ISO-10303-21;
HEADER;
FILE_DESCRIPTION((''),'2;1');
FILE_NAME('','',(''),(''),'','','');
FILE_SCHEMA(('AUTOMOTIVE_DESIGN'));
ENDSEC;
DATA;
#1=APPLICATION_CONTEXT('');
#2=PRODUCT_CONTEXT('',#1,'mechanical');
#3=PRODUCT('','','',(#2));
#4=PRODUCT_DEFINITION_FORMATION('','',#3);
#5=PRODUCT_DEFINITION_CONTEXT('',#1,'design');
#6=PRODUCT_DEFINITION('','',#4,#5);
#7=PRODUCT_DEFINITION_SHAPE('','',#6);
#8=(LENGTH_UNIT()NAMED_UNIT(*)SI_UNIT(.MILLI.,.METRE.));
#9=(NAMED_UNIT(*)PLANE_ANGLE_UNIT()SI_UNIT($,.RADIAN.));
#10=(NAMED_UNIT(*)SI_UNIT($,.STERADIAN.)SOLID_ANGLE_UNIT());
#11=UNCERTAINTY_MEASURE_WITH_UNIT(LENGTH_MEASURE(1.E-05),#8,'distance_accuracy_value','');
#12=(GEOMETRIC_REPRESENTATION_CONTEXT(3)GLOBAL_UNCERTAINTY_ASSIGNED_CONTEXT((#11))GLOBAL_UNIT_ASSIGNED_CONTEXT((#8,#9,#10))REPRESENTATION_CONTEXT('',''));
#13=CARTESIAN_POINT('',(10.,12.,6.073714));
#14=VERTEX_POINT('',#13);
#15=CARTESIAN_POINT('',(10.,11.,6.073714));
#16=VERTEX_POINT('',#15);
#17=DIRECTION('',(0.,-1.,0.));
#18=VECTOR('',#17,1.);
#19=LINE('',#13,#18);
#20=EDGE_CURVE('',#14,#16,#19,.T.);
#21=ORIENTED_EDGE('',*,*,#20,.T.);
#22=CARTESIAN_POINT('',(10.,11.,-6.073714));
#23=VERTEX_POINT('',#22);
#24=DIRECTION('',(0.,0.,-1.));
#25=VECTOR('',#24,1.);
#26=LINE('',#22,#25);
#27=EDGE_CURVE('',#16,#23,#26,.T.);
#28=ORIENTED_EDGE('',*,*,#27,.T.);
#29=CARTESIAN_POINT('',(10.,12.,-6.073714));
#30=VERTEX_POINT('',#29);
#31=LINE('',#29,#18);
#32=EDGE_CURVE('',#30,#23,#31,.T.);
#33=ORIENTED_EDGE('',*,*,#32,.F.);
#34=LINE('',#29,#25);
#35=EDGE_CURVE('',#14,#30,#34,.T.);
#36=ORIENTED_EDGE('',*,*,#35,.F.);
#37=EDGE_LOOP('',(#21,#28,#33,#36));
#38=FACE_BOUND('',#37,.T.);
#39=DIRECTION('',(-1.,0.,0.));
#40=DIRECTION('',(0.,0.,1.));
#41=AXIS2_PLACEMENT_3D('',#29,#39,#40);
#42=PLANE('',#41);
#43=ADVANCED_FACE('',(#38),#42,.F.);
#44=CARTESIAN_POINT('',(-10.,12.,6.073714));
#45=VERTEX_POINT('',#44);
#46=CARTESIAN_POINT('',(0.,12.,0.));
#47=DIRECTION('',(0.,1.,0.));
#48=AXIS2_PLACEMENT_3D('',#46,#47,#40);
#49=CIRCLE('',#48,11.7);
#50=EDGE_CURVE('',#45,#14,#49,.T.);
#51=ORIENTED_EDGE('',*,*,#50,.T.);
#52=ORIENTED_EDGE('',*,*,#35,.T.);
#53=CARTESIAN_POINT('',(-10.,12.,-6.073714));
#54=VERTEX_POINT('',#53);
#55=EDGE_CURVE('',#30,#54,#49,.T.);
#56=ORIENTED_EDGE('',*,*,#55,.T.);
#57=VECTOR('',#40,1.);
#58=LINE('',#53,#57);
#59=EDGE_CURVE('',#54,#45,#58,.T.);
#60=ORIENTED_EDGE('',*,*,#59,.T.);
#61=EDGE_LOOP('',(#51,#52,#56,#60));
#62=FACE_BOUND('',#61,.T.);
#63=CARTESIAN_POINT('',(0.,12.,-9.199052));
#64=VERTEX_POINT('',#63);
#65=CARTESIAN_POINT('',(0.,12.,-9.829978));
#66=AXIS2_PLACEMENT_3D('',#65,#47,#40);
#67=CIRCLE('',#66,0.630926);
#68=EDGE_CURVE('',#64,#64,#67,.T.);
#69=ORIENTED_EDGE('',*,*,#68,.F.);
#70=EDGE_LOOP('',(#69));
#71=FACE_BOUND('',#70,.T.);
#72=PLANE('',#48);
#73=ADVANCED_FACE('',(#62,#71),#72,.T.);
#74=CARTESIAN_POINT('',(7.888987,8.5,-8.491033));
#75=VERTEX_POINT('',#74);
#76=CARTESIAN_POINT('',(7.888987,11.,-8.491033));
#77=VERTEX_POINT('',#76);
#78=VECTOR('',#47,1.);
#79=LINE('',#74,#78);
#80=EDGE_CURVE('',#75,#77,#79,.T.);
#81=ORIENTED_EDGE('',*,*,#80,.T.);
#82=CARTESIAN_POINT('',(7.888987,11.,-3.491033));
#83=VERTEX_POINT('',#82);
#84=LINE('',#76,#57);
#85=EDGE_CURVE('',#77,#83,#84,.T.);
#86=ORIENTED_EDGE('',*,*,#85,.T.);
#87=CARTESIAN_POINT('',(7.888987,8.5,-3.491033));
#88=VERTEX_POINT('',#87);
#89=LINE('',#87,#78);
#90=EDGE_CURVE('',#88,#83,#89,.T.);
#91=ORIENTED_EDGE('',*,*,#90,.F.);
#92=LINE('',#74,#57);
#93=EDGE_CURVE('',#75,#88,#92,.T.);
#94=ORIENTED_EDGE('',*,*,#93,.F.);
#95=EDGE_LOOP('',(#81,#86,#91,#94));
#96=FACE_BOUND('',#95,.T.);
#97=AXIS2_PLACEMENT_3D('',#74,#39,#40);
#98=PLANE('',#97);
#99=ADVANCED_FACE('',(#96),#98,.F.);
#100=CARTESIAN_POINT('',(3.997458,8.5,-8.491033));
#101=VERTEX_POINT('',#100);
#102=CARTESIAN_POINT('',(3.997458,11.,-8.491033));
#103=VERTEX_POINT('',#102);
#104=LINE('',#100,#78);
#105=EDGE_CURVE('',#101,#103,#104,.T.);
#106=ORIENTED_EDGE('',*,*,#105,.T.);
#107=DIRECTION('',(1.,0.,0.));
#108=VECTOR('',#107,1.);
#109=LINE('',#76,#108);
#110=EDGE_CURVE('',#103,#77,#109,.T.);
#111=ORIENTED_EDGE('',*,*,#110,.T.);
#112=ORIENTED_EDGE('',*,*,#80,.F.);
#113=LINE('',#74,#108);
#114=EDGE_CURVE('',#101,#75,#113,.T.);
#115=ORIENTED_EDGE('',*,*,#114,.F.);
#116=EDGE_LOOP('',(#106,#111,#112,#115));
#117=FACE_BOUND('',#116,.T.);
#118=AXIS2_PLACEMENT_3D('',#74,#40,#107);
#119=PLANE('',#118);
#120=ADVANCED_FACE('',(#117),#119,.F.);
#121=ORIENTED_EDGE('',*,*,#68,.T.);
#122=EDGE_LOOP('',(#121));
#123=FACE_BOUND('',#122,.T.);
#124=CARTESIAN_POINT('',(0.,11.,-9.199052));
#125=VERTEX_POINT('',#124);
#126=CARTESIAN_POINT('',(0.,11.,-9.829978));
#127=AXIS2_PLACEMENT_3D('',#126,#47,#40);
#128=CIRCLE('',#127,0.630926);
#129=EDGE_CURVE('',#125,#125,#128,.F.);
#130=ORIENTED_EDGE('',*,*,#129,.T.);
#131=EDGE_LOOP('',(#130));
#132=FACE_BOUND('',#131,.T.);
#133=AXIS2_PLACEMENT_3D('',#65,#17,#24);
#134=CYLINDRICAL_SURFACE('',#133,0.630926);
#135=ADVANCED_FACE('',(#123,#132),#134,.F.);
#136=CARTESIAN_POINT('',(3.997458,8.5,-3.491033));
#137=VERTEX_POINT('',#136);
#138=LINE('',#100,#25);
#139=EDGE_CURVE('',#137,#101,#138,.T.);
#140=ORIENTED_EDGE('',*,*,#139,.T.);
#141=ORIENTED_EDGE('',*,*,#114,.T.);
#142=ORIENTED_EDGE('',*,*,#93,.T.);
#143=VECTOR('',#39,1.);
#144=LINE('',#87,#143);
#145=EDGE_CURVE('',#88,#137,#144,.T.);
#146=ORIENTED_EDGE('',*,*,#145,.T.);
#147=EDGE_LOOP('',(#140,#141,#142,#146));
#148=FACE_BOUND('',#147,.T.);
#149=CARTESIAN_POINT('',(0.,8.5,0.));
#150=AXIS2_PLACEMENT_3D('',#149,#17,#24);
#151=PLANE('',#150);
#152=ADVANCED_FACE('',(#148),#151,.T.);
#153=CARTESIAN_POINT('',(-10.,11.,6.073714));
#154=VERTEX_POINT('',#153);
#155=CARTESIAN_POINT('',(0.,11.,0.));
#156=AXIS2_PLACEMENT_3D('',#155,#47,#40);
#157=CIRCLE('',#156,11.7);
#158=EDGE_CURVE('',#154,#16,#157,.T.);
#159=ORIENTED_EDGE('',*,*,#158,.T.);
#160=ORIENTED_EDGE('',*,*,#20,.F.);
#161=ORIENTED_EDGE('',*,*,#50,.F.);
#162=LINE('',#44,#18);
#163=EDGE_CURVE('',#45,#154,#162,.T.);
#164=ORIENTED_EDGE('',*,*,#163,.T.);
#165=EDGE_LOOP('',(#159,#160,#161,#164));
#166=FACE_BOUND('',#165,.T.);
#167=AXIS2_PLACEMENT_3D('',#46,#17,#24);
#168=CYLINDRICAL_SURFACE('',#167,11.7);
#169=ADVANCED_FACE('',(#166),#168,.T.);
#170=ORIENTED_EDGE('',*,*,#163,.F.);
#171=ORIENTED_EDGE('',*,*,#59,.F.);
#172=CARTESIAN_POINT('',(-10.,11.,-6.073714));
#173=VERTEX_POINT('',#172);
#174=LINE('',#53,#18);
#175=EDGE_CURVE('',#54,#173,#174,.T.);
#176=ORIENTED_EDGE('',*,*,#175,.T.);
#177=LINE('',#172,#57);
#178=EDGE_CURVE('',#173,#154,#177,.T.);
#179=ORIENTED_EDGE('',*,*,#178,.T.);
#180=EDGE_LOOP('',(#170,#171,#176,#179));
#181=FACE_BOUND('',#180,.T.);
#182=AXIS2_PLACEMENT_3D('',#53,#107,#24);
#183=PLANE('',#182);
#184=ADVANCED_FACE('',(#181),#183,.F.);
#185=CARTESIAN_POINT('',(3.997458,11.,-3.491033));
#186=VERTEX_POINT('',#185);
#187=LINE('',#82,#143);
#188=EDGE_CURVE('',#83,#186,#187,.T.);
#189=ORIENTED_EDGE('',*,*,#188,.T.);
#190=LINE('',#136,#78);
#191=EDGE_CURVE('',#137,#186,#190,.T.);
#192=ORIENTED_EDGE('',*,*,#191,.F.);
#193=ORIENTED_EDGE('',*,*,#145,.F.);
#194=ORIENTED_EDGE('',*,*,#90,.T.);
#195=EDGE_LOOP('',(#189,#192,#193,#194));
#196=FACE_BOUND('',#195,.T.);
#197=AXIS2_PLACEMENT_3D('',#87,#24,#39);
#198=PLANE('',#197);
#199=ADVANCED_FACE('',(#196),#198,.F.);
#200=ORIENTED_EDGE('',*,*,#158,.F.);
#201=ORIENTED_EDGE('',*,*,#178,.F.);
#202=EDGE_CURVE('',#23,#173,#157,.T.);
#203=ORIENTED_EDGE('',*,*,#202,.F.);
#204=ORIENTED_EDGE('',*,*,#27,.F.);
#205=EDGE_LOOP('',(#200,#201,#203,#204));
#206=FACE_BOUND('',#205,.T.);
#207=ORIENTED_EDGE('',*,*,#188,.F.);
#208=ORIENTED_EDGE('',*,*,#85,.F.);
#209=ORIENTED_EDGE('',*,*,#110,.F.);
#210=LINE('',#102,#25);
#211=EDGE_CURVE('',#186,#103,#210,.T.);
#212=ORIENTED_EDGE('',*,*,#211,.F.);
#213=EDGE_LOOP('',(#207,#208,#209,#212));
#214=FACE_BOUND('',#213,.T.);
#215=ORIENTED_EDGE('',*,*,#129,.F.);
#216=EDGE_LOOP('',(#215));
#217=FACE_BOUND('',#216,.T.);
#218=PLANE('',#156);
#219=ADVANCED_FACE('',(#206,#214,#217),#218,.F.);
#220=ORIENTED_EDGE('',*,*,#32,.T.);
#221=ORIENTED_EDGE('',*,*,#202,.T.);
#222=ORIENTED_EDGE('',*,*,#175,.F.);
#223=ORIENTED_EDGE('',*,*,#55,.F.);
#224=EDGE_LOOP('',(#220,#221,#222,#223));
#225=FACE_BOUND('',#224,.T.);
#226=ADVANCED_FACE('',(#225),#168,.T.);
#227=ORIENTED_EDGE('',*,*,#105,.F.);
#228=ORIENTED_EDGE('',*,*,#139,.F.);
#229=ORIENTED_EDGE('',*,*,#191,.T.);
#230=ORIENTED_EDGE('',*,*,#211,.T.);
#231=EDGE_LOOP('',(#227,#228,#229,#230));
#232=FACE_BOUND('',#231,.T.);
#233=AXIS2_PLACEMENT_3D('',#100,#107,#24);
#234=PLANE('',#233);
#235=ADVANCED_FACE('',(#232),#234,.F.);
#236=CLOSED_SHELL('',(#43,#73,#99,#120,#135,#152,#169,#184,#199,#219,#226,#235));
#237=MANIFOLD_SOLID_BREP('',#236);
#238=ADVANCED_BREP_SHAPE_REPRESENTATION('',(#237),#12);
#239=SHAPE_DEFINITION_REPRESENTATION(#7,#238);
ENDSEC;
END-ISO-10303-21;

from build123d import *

# Parameters (mm, degrees)
SKETCH_2_R          = 12
SKETCH_1_R          = 12.5
CUT_EXTRUDE_1_DEPTH = 12.0000001
SKETCH_5_W          = 13
SKETCH_5_H          = 6
CUT_EXTRUDE_2_DEPTH = 5
SKETCH_6_W          = 2.476692414
SKETCH_6_H          = 6.83521307
CUT_EXTRUDE_3_DEPTH = 20
CUT_EXTRUDE_4_DEPTH = 5
SKETCH_9_R          = 0.630926361
EXTRUDE_1_DEPTH     = 1
SKETCH_11_W         = 27.446294714
SKETCH_11_H         = 11.793449851
CUT_EXTRUDE_5_DEPTH = 21.75
SKETCH_10_W         = 3.891529141
SKETCH_10_H         = 5
EXTRUDE_2_DEPTH     = 2.5


with BuildPart() as part:
    # 草图2 → 放样1 section 0
    with BuildSketch(Plane(origin=(0, 11, 0), x_dir=(1, 0, 0), z_dir=(0, 1, 0))):
        Circle(SKETCH_2_R)
    # 草图1 → 放样1 section 1
    with BuildSketch(Plane(origin=(0, 0, 0), x_dir=(1, 0, 0), z_dir=(0, 1, 0))):
        Circle(SKETCH_1_R)
    loft()

    # 草图4 → 切除-拉伸1 (cut, through all)
    with BuildSketch(Plane(origin=(0, 0, 0), x_dir=(1, 0, 0), z_dir=(0, 1, 0))):
        with BuildLine():
            Line((-1.352272566, -2.5), (-1.352272566, -2.102702762))
            ThreePointArc((-1.352272566, -2.102702762), (0.025010963, 2.499874887), (1.309931483, -2.12933781))
            Line((1.309931483, -2.12933781), (1.309931483, -2.5))
            Line((1.309931483, -2.5), (8, -2.5))
            Line((8, -2.5), (8, -7.5))
            Line((8, -7.5), (-8, -7.5))
            Line((-8, -7.5), (-8, -2.5))
            Line((-8, -2.5), (-1.352272566, -2.5))
        make_face()
    extrude(amount=CUT_EXTRUDE_1_DEPTH, mode=Mode.SUBTRACT)

    # 草图5 → 切除-拉伸2 (cut)
    with BuildSketch(Plane(origin=(0, 11, 0), x_dir=(1, 0, 0), z_dir=(0, 1, 0))):
        with Locations((0, 5.991032562)):
            Rectangle(SKETCH_5_W, SKETCH_5_H)
        with BuildLine():
            Line((7.947410488, 8.991032562), (6.5, 8.991032562))
            Line((6.5, 8.991032562), (6.5, 2.991032562))
            Line((6.5, 2.991032562), (11.621261731, 2.991032562))
            ThreePointArc((11.621261731, 2.991032562), (10.233925596, 6.266320045), (7.947410488, 8.991032562))
        make_face()
        with BuildLine():
            Line((15.348611284, 8.991032562), (7.947410488, 8.991032562))
            ThreePointArc((7.947410488, 8.991032562), (10.233925596, 6.266320045), (11.621261731, 2.991032562))
            Line((11.621261731, 2.991032562), (15.348611284, 2.991032562))
            Line((15.348611284, 2.991032562), (15.348611284, 8.991032562))
        make_face()
    extrude(amount=-CUT_EXTRUDE_2_DEPTH, mode=Mode.SUBTRACT)

    # 草图6 → 切除-拉伸3 (cut, symmetric)
    with BuildSketch(Plane(origin=(0, 0, 0), x_dir=(0, 0, -1), z_dir=(1, 0, 0))):
        with Locations((0, 8.790545757)):
            Rectangle(SKETCH_6_W, SKETCH_6_H)
    extrude(amount=CUT_EXTRUDE_3_DEPTH, both=True, mode=Mode.SUBTRACT)

    # 草图7 → 切除-拉伸4 (cut)
    with BuildSketch(Plane(origin=(0, 11, 0), x_dir=(1, 0, 0), z_dir=(0, 1, 0))):
        Polygon((-5.998196858, 2.991032562), (-5.998196858, -3.96939498), (-8, -3.96939498), (-9.46939498, -2.5), (-9.46939498, 3.910589128), (-7.645587141, 5.734396966), (-6.5, 5.734396966), align=None)
    extrude(amount=-CUT_EXTRUDE_4_DEPTH, mode=Mode.SUBTRACT)

    # 草图9 → 凸台-拉伸1 (add)
    with BuildSketch(Plane(origin=(0, 11, 0), x_dir=(1, 0, 0), z_dir=(0, 1, 0))):
        with BuildLine():
            Line((-10, 6.073713856), (-10, -6.073713856))
            ThreePointArc((-10, -6.073713856), (0, -11.7), (10, -6.073713856))
            Line((10, -6.073713856), (10, 6.073713856))
            ThreePointArc((10, 6.073713856), (0, 11.7), (-10, 6.073713856))
        make_face()
        with Locations((0, 9.829977892)):
            Circle(SKETCH_9_R, mode=Mode.SUBTRACT)
    extrude(amount=EXTRUDE_1_DEPTH)

    # 草图11 → 切除-拉伸5 (cut, symmetric)
    with BuildSketch(Plane(origin=(0, 0, 0), x_dir=(0, 0, -1), z_dir=(1, 0, 0))):
        with Locations((-0.090881771, 5.103275074)):
            Rectangle(SKETCH_11_W, SKETCH_11_H)
    extrude(amount=CUT_EXTRUDE_5_DEPTH, both=True, mode=Mode.SUBTRACT)

    # 草图10 → 凸台-拉伸2 (add)
    with BuildSketch(Plane.XZ.offset(-11)):
        with Locations((5.943222156, -5.991032562)):
            Rectangle(SKETCH_10_W, SKETCH_10_H)
    extrude(amount=EXTRUDE_2_DEPTH)


solid = part.part
